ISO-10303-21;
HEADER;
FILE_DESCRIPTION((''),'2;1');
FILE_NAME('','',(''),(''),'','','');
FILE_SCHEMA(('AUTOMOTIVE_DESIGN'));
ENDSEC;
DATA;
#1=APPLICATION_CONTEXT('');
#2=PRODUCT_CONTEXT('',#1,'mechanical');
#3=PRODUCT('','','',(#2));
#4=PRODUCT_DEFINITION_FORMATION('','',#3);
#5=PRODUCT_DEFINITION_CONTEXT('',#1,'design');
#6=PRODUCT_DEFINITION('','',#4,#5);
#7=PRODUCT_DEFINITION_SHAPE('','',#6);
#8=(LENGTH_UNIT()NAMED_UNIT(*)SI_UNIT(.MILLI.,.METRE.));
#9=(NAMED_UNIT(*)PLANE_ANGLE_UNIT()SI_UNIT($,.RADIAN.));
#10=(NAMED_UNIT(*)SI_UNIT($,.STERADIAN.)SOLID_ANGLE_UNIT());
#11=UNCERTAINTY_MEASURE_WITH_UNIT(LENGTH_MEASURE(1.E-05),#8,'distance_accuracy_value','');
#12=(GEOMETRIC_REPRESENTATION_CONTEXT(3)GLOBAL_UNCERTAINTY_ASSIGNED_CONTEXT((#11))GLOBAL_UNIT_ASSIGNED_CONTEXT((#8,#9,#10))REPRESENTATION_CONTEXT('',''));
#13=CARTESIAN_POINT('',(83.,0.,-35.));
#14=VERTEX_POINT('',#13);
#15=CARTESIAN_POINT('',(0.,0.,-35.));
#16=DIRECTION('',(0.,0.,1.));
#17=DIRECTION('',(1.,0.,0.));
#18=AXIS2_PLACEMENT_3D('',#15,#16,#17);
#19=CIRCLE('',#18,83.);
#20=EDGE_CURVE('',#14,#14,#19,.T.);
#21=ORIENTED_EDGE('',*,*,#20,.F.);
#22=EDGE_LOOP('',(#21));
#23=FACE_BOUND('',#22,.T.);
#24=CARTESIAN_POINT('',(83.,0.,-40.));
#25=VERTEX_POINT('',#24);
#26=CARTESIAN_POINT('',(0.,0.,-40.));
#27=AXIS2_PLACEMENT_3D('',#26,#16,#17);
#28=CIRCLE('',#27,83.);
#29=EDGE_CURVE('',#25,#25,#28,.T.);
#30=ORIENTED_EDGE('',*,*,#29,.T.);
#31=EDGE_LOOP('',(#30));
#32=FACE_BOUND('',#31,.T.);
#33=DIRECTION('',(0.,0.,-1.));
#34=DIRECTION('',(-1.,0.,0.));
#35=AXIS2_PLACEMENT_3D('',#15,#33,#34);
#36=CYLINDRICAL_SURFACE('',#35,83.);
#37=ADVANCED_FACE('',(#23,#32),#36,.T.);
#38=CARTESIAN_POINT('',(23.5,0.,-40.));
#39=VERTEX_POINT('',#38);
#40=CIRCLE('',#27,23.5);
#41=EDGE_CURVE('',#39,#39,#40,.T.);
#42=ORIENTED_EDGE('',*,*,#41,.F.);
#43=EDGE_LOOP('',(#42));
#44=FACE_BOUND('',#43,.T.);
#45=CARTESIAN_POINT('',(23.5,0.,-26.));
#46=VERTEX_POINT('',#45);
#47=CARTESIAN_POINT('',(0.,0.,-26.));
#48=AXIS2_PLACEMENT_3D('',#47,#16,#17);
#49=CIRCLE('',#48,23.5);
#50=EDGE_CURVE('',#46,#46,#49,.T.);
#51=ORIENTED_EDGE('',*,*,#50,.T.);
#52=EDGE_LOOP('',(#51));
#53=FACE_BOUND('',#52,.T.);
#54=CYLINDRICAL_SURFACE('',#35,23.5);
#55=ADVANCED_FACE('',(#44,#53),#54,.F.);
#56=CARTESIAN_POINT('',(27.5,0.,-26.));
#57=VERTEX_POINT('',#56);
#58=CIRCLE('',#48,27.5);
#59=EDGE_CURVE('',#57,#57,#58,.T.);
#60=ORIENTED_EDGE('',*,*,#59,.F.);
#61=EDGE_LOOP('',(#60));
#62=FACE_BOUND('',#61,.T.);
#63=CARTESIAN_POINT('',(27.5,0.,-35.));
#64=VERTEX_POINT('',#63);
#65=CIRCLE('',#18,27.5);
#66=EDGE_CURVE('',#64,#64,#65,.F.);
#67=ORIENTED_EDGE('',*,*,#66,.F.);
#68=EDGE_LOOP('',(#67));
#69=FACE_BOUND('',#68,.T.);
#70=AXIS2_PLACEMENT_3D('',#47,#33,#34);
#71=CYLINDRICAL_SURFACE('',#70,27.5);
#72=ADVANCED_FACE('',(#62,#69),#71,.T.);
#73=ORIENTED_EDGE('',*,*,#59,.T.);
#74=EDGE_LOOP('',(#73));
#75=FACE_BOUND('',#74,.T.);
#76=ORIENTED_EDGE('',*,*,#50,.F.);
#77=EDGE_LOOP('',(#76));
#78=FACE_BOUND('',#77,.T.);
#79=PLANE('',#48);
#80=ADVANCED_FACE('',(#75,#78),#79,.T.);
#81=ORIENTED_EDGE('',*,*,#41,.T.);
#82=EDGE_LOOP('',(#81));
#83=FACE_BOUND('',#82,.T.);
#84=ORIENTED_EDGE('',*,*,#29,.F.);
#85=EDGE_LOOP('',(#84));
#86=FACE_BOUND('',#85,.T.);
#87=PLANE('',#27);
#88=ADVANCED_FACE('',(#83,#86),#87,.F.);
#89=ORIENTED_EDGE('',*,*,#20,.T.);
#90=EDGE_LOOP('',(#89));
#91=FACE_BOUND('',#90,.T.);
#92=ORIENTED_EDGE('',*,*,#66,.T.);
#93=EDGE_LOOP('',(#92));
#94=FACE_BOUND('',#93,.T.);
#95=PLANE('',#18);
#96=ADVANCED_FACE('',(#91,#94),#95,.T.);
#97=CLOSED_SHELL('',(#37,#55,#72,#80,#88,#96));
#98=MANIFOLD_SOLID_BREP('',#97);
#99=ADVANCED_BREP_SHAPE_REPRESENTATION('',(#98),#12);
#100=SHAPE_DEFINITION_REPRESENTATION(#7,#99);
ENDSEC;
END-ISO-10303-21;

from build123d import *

# Parameters (mm, degrees)
COVER_WEB_START    = -40
SKETCH_1_R         = 83
SKETCH_1_R_2       = 23.5
COVER_WEB_DEPTH    = 5
BEARING_BOSS_START = -40
SKETCH_2_R         = 27.5
SKETCH_2_R_2       = 23.5
BEARING_BOSS_DEPTH = 14


with BuildPart() as part:
    # Эскиз1 → Cover_web (new body)
    with BuildSketch(Plane.XY.offset(COVER_WEB_START)):
        Circle(SKETCH_1_R)
        Circle(SKETCH_1_R_2, mode=Mode.SUBTRACT)
    extrude(amount=COVER_WEB_DEPTH)

    # Эскиз2 → Bearing_boss (add)
    with BuildSketch(Plane.XY.offset(BEARING_BOSS_START)):
        Circle(SKETCH_2_R)
        Circle(SKETCH_2_R_2, mode=Mode.SUBTRACT)
    extrude(amount=BEARING_BOSS_DEPTH)


solid = part.part
